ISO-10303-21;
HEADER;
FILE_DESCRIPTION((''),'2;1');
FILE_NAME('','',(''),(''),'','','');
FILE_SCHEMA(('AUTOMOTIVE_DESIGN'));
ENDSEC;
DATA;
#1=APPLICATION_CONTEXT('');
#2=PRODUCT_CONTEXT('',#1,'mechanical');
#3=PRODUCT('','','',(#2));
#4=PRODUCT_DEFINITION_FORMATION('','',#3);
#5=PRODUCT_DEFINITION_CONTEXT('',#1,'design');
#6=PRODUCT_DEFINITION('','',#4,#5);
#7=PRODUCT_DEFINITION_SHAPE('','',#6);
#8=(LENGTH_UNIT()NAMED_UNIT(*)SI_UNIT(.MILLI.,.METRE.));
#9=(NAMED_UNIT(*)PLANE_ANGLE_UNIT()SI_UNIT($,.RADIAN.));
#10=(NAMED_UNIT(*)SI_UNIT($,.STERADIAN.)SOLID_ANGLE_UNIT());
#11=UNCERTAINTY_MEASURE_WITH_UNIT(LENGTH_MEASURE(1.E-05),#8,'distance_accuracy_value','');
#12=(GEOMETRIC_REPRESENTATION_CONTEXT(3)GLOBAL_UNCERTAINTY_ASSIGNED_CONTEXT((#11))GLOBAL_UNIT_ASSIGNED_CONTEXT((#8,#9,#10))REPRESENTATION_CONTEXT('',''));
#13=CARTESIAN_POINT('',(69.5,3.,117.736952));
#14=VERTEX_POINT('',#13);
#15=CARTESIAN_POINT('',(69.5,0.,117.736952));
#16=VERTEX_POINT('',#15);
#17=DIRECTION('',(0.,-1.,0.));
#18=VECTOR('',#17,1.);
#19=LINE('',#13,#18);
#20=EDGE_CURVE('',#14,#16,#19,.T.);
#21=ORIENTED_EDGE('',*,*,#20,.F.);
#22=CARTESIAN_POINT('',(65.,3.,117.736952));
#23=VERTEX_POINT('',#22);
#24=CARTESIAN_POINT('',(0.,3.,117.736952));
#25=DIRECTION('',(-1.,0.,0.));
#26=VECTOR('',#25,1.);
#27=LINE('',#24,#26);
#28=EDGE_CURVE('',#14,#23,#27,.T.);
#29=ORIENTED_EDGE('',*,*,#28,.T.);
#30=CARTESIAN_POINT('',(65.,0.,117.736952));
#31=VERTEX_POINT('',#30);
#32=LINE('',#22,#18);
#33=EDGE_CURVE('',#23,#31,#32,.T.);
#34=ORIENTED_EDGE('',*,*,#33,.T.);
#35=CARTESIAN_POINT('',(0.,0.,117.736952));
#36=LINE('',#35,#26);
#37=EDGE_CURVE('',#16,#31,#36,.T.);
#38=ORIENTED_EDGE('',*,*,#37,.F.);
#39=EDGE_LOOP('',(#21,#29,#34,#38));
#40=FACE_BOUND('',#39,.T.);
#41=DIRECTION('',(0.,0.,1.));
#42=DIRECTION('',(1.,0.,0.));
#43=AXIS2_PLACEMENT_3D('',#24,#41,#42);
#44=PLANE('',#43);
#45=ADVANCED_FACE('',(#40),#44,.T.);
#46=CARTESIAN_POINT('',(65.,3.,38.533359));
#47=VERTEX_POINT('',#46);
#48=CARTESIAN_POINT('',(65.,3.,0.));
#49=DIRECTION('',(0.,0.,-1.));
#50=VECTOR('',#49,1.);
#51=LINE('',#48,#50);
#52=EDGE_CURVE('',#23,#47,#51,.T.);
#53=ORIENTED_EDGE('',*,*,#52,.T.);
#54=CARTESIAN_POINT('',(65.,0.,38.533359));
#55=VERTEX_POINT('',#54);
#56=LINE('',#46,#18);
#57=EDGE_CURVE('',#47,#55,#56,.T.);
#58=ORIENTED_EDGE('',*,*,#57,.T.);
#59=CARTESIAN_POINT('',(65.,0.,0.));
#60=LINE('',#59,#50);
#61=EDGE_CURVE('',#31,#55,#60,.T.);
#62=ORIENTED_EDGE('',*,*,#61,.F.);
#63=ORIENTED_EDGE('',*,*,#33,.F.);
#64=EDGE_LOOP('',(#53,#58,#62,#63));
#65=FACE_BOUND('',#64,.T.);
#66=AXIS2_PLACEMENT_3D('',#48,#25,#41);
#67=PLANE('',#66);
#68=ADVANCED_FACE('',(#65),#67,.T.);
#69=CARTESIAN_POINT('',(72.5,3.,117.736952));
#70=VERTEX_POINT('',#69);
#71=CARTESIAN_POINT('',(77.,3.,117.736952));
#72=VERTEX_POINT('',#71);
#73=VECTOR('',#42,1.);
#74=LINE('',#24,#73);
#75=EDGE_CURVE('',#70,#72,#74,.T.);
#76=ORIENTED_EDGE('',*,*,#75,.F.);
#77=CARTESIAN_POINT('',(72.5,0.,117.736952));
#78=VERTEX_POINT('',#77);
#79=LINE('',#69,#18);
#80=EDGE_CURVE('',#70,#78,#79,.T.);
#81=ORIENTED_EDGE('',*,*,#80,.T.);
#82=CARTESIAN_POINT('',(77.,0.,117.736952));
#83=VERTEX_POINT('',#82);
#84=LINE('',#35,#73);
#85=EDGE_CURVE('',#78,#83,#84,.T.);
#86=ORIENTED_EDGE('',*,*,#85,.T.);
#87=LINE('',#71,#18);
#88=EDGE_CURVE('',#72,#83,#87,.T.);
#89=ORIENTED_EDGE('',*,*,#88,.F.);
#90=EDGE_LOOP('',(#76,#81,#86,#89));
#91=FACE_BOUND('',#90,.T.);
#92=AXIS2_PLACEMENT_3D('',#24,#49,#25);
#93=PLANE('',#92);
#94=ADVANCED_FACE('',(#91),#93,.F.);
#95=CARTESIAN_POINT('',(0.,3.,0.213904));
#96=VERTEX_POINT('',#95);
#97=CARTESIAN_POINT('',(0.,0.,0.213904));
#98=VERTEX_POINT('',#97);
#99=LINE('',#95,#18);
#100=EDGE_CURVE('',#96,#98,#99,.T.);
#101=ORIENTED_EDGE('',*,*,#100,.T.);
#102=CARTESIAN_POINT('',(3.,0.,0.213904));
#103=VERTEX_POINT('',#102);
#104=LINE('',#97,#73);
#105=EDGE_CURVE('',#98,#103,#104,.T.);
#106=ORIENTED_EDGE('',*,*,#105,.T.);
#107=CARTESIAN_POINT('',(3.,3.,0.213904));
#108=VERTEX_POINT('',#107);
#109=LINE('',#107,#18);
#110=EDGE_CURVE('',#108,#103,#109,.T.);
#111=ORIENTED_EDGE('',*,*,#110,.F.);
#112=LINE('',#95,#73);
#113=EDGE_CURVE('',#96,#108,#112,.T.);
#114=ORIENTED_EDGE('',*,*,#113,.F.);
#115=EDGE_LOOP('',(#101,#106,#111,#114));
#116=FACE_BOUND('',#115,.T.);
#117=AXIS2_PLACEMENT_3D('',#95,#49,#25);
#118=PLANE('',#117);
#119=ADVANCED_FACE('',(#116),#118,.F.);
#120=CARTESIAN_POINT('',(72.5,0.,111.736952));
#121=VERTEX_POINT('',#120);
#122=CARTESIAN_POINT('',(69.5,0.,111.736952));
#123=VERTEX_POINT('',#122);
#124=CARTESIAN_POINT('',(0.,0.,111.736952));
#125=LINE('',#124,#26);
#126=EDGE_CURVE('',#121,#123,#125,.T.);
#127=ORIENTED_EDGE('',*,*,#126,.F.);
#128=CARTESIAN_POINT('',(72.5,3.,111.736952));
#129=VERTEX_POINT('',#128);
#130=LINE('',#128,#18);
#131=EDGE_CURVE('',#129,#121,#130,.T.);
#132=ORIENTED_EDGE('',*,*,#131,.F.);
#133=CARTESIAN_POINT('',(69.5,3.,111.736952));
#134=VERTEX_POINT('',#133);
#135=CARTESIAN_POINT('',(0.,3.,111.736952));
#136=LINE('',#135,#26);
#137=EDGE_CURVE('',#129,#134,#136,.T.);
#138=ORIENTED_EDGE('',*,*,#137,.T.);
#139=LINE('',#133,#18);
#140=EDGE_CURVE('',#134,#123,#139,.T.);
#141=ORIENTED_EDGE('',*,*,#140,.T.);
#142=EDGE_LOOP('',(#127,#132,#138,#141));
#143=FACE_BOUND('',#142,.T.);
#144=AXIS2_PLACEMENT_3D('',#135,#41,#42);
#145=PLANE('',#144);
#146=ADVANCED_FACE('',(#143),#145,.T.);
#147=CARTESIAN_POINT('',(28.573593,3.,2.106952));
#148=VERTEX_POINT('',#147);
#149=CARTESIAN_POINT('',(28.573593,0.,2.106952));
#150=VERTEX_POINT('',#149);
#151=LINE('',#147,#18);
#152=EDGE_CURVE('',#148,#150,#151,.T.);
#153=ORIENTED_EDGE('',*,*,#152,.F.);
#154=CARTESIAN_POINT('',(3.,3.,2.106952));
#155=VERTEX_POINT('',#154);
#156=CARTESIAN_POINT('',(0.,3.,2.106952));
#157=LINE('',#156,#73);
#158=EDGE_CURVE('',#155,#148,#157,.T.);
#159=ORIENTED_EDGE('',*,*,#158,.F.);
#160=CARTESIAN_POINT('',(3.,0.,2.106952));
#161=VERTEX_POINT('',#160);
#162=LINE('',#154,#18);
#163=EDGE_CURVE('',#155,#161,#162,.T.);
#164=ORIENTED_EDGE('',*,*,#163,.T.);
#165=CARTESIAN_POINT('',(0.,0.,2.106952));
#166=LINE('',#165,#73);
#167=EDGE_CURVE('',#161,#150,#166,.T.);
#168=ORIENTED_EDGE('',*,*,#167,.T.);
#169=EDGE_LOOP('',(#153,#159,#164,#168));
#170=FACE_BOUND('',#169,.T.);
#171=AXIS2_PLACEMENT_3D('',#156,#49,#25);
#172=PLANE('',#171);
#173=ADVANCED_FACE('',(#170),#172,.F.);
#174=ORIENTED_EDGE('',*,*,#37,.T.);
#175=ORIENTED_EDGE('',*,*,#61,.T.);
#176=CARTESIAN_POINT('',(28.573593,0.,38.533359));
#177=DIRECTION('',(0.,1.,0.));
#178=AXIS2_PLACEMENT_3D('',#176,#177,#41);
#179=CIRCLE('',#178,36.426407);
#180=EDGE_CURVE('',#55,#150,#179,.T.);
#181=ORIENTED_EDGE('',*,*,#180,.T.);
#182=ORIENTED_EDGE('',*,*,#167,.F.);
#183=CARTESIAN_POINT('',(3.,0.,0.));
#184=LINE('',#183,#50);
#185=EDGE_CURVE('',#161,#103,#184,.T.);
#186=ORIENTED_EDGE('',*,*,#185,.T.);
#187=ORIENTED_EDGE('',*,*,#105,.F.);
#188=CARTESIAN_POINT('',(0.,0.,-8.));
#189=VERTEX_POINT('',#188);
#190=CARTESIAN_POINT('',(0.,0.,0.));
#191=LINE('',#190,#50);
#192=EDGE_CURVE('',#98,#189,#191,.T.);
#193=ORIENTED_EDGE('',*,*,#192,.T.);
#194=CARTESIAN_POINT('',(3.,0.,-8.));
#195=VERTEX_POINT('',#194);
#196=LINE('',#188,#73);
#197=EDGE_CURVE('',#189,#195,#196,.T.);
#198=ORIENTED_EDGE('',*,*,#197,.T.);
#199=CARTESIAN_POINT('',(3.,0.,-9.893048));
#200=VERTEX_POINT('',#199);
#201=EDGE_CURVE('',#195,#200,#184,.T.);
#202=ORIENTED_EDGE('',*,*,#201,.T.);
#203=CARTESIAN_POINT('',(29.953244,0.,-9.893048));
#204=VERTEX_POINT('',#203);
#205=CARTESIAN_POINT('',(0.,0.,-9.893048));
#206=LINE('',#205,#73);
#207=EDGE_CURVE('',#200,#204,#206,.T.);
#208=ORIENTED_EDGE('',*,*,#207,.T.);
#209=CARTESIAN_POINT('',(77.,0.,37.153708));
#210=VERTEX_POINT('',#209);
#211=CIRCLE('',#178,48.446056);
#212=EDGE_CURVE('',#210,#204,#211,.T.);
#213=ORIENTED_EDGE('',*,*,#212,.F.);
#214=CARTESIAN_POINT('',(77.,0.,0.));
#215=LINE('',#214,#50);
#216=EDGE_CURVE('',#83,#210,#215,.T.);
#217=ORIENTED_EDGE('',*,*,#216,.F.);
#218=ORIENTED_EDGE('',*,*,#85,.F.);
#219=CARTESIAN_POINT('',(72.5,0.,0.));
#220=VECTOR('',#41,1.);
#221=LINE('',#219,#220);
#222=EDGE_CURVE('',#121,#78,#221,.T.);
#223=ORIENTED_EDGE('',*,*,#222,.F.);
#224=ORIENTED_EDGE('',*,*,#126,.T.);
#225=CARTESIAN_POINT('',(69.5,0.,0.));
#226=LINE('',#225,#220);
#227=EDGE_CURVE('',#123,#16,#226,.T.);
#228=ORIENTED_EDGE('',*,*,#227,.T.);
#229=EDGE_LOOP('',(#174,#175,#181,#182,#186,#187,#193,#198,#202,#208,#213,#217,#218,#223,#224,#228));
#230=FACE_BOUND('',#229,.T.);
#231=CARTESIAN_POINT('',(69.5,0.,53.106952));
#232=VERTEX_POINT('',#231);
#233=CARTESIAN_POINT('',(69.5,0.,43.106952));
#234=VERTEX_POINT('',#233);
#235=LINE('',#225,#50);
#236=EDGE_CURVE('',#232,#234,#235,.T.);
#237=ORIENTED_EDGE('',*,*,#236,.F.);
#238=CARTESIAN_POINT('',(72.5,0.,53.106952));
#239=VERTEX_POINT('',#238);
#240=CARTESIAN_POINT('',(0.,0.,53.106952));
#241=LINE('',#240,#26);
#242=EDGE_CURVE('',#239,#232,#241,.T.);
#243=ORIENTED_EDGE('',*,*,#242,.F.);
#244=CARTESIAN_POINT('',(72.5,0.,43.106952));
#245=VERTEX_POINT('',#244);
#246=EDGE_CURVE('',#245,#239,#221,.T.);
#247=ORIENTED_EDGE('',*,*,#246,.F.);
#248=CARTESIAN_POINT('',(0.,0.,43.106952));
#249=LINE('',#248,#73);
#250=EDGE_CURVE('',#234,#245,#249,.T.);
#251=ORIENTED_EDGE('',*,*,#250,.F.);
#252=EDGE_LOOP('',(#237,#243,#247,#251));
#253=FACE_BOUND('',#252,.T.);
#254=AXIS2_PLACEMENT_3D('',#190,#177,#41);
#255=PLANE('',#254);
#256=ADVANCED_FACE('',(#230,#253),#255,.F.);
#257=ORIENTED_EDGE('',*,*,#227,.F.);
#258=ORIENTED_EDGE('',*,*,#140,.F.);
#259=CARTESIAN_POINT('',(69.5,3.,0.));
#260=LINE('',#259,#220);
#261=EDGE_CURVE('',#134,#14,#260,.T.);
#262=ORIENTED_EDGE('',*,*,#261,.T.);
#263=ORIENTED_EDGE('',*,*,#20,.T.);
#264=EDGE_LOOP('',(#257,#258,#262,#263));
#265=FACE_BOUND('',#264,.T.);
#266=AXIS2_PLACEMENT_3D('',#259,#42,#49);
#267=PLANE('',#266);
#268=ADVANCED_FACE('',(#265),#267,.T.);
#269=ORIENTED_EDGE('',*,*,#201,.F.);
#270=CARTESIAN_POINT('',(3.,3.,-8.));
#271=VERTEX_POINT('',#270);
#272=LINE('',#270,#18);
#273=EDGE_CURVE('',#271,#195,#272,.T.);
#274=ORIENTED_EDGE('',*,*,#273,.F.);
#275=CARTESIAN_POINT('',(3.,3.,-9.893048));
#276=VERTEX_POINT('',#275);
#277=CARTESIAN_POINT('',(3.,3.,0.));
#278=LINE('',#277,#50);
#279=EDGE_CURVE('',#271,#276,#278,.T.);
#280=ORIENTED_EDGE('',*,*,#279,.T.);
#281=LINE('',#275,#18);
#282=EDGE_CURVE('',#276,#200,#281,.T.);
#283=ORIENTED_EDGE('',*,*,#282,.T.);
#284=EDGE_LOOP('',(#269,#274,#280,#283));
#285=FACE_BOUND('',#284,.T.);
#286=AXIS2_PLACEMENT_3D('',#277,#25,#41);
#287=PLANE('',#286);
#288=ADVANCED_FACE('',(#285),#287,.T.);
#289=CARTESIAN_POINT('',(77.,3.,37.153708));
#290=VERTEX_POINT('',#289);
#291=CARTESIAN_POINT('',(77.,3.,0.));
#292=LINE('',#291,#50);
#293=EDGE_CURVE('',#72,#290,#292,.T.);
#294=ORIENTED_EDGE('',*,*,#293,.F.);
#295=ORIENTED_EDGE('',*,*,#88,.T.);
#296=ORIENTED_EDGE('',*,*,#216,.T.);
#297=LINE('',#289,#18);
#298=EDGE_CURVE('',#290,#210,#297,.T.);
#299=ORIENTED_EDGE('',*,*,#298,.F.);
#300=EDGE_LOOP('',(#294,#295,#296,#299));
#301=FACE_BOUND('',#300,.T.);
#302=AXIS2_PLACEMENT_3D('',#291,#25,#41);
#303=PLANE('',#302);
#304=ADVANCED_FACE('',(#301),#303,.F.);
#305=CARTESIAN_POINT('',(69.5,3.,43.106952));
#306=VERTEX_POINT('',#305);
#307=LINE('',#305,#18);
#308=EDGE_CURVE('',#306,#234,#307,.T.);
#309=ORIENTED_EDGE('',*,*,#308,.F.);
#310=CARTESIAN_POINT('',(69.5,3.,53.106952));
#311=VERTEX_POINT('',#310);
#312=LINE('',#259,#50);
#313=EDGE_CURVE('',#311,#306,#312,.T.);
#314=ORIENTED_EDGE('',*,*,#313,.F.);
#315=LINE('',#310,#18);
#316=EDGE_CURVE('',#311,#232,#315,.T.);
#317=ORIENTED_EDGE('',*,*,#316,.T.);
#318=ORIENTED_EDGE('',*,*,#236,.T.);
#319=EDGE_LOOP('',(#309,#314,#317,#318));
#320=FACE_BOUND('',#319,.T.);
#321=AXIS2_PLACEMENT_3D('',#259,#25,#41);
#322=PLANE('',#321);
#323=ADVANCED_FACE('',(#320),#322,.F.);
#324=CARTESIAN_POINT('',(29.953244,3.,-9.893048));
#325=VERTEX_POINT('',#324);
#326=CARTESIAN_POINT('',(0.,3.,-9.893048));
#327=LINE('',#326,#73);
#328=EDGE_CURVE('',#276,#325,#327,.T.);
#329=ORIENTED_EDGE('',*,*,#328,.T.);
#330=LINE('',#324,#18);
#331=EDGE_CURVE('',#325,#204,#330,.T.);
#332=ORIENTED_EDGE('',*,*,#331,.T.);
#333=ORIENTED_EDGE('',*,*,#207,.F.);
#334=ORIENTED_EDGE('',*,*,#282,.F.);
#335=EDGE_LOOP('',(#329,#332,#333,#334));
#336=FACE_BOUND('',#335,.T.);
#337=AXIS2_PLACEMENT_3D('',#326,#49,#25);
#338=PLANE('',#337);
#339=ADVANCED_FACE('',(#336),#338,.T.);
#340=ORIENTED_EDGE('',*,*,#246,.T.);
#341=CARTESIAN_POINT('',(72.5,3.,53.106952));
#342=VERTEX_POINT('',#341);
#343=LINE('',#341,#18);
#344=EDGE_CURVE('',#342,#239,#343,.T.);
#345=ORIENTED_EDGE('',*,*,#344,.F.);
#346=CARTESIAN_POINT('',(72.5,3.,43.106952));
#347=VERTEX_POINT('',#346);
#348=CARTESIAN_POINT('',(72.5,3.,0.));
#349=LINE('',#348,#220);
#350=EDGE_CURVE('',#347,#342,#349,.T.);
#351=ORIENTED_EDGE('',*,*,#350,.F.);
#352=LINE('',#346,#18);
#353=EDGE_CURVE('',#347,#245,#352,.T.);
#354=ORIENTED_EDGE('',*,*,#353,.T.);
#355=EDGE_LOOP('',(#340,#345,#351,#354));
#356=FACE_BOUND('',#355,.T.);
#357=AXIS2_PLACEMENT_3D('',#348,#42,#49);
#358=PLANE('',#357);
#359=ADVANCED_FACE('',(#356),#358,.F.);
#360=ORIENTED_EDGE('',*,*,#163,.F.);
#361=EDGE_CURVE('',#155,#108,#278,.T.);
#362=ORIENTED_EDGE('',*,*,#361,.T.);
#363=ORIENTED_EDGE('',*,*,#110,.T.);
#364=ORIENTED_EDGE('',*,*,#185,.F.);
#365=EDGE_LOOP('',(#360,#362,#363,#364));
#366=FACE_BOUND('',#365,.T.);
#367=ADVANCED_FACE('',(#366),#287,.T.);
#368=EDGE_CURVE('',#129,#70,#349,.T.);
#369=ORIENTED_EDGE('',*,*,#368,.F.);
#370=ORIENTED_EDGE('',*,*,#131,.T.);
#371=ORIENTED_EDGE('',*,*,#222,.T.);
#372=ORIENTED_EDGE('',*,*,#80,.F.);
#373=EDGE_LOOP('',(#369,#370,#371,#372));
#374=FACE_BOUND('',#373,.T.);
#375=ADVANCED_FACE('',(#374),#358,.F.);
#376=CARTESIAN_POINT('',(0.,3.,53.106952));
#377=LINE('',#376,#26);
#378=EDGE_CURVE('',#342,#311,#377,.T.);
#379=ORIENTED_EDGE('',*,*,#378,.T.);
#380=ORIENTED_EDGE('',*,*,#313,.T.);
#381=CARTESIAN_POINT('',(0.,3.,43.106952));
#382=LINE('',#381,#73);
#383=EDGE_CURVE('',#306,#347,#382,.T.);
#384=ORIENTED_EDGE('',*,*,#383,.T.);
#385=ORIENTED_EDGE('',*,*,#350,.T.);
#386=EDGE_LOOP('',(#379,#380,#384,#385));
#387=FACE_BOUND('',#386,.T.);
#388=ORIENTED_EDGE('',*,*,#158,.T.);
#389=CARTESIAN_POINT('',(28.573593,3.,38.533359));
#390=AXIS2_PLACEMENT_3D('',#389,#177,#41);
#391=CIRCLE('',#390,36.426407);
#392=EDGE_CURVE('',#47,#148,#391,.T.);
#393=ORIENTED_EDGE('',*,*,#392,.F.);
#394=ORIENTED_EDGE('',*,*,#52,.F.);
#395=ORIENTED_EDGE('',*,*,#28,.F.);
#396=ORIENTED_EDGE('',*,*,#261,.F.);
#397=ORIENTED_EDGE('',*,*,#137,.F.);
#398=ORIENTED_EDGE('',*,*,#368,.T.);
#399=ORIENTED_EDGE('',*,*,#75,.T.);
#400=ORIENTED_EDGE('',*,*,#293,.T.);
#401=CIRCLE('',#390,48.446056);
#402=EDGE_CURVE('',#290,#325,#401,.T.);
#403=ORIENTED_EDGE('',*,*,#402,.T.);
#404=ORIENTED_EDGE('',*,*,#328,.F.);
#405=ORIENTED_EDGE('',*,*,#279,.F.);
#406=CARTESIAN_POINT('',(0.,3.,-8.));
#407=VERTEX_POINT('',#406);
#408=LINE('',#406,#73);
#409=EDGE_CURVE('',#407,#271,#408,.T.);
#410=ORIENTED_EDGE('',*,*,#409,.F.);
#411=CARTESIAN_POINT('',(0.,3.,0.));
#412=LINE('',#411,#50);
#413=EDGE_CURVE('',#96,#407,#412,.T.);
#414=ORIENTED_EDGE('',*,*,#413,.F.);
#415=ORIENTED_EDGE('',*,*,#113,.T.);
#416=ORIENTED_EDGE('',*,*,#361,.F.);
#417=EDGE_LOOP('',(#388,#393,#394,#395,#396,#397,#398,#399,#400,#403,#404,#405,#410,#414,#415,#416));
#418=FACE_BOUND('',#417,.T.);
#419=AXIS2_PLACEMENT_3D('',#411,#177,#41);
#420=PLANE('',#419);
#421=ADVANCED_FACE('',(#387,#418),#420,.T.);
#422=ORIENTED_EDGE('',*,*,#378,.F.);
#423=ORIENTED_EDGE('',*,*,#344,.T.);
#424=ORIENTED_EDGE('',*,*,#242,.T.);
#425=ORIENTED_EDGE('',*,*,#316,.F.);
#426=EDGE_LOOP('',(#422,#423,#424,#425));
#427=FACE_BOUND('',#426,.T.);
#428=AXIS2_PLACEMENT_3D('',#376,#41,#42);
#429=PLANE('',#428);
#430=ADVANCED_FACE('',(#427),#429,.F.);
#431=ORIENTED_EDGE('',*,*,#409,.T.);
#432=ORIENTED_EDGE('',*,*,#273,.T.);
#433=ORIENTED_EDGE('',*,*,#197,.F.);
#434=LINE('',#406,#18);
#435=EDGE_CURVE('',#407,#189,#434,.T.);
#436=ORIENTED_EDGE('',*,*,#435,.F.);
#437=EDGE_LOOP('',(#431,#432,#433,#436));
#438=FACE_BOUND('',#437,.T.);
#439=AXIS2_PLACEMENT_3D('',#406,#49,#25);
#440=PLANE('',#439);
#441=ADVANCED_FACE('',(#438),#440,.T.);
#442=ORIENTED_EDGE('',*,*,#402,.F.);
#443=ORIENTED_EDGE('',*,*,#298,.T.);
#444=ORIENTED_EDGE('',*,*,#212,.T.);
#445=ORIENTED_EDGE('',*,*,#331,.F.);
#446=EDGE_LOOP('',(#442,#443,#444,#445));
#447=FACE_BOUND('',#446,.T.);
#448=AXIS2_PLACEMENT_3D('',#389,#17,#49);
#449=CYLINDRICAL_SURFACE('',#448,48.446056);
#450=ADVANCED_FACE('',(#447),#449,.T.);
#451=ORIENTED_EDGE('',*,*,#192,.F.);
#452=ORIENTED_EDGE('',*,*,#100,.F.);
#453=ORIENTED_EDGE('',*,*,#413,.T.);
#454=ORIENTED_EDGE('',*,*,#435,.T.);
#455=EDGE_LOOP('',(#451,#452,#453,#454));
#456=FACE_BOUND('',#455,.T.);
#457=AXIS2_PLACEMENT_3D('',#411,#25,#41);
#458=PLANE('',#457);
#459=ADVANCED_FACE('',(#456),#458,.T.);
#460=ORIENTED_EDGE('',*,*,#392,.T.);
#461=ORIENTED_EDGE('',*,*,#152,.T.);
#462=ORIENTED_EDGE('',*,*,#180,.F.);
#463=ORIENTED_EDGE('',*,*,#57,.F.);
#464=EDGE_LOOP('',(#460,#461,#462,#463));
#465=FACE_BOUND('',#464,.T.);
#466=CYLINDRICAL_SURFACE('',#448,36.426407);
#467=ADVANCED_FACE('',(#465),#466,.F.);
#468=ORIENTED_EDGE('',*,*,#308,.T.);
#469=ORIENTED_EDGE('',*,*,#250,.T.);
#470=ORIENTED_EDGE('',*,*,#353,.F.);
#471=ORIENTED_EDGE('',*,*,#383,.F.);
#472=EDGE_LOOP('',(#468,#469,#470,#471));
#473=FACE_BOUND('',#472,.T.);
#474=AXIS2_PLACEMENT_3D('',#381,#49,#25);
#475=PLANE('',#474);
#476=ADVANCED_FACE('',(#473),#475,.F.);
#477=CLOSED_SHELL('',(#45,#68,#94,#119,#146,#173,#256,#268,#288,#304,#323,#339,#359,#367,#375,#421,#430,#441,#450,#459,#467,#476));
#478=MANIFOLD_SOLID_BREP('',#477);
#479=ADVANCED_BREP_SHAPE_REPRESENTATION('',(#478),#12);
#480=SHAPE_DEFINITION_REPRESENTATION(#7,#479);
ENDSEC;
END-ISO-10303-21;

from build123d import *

# Parameters (mm, degrees)
SALIENTE_EXTRUIR1_DEPTH = 3


with BuildPart() as part:
    # Croquis1 → Saliente-Extruir1 (new body)
    with BuildSketch(Plane(origin=(0, 0, 0), x_dir=(1, 0, 0), z_dir=(0, 1, 0))):
        with BuildLine():
            Line((0, 7.786096257), (0, 0))
            Line((0, 0), (0, -0.213903743))
            Line((0, -0.213903743), (3, -0.213903743))
            Line((3, -0.213903743), (3, -2.106951872))
            Line((3, -2.106951872), (7.35828877, -2.106951872))
            Line((7.35828877, -2.106951872), (28.573593129, -2.106951872))
            ThreePointArc((28.573593129, -2.106951872), (54.330952442, -12.77599943), (65, -38.533358743))
            Line((65, -38.533358743), (65, -117.736951872))
            Line((65, -117.736951872), (69.5, -117.736951872))
            Line((69.5, -117.736951872), (69.5, -111.736951872))
            Line((69.5, -111.736951872), (72.5, -111.736951872))
            Line((72.5, -111.736951872), (72.5, -117.736951872))
            Line((72.5, -117.736951872), (77, -117.736951872))
            Line((77, -117.736951872), (77, -37.153707926))
            ThreePointArc((77, -37.153707926), (62.830127679, -4.276824192), (29.953243946, 9.893048128))
            Line((29.953243946, 9.893048128), (7.35828877, 9.893048128))
            Line((7.35828877, 9.893048128), (3, 9.893048128))
            Line((3, 9.893048128), (3, 8))
            Line((3, 8), (0, 8))
            Line((0, 8), (0, 7.786096257))
        make_face()
        Polygon((69.5, -53.106951872), (69.5, -48.106951872), (69.5, -43.106951872), (72.5, -43.106951872), (72.5, -53.106951872), align=None, mode=Mode.SUBTRACT)
    extrude(amount=SALIENTE_EXTRUIR1_DEPTH)


solid = part.part
